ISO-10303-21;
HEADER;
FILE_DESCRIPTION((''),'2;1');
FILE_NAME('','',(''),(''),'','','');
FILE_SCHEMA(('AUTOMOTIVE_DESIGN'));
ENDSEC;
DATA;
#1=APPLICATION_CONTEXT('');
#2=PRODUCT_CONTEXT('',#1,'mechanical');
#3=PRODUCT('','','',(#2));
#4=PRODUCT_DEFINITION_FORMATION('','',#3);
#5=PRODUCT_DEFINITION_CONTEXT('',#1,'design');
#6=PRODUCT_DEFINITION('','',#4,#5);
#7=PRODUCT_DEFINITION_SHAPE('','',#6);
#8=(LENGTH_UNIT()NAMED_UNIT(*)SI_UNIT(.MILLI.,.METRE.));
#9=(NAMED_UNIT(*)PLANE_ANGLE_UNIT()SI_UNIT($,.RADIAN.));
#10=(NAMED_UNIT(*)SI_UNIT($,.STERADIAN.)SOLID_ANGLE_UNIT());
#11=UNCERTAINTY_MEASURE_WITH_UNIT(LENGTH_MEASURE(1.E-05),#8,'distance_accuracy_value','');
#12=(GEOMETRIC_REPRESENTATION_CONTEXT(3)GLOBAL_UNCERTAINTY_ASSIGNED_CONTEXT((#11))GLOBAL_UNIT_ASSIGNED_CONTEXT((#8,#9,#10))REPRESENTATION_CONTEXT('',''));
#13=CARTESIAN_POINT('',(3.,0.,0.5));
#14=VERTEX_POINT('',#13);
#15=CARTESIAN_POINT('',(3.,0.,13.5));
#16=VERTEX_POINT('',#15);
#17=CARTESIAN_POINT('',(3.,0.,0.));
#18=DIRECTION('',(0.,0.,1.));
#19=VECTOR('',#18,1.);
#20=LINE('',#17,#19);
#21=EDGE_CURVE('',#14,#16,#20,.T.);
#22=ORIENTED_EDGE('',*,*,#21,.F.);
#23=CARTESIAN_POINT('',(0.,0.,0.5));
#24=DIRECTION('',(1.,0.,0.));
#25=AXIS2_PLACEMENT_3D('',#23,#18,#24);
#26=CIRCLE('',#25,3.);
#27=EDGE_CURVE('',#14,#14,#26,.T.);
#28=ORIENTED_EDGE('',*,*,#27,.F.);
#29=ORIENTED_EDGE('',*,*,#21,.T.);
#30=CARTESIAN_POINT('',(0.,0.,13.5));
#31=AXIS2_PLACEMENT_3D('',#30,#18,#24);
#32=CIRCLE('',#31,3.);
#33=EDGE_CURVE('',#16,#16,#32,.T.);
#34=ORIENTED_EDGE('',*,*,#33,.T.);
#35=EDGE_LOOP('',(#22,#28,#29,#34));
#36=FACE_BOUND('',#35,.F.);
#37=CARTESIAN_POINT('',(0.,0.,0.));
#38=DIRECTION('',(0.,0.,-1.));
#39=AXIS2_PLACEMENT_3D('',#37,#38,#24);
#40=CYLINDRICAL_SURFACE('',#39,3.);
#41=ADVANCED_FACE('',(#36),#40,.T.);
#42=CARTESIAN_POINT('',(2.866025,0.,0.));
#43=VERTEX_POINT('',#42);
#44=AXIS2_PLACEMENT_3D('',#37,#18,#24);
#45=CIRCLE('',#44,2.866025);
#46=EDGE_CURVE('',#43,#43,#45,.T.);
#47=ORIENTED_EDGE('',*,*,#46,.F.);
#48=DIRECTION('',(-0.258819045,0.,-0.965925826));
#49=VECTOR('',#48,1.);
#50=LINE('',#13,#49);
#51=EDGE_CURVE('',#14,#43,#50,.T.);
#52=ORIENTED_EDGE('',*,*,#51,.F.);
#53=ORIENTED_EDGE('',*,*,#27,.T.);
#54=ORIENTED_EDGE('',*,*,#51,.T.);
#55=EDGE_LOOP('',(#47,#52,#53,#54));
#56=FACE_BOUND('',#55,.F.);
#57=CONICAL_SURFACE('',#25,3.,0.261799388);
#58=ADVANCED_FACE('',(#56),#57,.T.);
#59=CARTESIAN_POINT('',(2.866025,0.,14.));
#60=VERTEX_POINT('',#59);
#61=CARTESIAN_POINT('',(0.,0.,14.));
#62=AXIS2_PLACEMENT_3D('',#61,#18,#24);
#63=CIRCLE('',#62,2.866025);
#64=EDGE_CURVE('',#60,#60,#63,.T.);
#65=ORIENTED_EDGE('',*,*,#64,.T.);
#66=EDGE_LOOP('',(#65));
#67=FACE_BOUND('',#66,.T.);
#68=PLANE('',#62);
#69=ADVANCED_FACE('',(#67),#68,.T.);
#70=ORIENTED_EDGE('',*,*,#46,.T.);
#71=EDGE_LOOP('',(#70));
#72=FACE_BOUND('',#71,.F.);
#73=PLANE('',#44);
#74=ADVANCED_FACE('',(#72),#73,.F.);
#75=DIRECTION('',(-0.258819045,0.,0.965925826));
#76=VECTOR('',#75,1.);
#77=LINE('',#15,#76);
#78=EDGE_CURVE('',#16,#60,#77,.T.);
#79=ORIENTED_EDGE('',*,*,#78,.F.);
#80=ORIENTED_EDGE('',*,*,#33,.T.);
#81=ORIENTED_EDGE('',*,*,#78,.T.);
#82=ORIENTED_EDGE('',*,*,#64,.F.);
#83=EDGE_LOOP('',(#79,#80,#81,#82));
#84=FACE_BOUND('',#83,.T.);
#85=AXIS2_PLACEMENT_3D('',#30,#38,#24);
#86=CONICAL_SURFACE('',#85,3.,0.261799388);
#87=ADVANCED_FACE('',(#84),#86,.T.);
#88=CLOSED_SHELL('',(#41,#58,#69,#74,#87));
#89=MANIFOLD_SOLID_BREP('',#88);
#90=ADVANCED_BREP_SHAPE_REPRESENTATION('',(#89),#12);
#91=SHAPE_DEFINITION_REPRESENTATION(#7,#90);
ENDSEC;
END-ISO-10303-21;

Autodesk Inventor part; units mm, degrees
ref_plane "YZ Plane" through (0, 0, 0) normal (1, 0, 0) x (0, 1, 0)
ref_plane "XZ Plane" through (0, 0, 0) normal (0, 1, 0) x (-1, 0, 0)
ref_plane "XY Plane" through (0, 0, 0) normal (0, 0, 1) x (1, 0, 0)
sketch "スケッチ1" plane through (0, 0, 0) normal (0, 0, 1) x (1, 0, 0)
  circle A0 centre (0, 0) radius 3
  dimension "d0" = 6
extrude "押し出し1" add sketch "スケッチ1" along normal blind 14
chamfer "面取り1" distance 0.5 angle 15 2 edges at (-3, 0, 0) (-3, 0, 14) measured on face at (2.9612, -0.4812, 9.3333)
properties part number "平行ピンD6L14" material "ステンレス鋼"
